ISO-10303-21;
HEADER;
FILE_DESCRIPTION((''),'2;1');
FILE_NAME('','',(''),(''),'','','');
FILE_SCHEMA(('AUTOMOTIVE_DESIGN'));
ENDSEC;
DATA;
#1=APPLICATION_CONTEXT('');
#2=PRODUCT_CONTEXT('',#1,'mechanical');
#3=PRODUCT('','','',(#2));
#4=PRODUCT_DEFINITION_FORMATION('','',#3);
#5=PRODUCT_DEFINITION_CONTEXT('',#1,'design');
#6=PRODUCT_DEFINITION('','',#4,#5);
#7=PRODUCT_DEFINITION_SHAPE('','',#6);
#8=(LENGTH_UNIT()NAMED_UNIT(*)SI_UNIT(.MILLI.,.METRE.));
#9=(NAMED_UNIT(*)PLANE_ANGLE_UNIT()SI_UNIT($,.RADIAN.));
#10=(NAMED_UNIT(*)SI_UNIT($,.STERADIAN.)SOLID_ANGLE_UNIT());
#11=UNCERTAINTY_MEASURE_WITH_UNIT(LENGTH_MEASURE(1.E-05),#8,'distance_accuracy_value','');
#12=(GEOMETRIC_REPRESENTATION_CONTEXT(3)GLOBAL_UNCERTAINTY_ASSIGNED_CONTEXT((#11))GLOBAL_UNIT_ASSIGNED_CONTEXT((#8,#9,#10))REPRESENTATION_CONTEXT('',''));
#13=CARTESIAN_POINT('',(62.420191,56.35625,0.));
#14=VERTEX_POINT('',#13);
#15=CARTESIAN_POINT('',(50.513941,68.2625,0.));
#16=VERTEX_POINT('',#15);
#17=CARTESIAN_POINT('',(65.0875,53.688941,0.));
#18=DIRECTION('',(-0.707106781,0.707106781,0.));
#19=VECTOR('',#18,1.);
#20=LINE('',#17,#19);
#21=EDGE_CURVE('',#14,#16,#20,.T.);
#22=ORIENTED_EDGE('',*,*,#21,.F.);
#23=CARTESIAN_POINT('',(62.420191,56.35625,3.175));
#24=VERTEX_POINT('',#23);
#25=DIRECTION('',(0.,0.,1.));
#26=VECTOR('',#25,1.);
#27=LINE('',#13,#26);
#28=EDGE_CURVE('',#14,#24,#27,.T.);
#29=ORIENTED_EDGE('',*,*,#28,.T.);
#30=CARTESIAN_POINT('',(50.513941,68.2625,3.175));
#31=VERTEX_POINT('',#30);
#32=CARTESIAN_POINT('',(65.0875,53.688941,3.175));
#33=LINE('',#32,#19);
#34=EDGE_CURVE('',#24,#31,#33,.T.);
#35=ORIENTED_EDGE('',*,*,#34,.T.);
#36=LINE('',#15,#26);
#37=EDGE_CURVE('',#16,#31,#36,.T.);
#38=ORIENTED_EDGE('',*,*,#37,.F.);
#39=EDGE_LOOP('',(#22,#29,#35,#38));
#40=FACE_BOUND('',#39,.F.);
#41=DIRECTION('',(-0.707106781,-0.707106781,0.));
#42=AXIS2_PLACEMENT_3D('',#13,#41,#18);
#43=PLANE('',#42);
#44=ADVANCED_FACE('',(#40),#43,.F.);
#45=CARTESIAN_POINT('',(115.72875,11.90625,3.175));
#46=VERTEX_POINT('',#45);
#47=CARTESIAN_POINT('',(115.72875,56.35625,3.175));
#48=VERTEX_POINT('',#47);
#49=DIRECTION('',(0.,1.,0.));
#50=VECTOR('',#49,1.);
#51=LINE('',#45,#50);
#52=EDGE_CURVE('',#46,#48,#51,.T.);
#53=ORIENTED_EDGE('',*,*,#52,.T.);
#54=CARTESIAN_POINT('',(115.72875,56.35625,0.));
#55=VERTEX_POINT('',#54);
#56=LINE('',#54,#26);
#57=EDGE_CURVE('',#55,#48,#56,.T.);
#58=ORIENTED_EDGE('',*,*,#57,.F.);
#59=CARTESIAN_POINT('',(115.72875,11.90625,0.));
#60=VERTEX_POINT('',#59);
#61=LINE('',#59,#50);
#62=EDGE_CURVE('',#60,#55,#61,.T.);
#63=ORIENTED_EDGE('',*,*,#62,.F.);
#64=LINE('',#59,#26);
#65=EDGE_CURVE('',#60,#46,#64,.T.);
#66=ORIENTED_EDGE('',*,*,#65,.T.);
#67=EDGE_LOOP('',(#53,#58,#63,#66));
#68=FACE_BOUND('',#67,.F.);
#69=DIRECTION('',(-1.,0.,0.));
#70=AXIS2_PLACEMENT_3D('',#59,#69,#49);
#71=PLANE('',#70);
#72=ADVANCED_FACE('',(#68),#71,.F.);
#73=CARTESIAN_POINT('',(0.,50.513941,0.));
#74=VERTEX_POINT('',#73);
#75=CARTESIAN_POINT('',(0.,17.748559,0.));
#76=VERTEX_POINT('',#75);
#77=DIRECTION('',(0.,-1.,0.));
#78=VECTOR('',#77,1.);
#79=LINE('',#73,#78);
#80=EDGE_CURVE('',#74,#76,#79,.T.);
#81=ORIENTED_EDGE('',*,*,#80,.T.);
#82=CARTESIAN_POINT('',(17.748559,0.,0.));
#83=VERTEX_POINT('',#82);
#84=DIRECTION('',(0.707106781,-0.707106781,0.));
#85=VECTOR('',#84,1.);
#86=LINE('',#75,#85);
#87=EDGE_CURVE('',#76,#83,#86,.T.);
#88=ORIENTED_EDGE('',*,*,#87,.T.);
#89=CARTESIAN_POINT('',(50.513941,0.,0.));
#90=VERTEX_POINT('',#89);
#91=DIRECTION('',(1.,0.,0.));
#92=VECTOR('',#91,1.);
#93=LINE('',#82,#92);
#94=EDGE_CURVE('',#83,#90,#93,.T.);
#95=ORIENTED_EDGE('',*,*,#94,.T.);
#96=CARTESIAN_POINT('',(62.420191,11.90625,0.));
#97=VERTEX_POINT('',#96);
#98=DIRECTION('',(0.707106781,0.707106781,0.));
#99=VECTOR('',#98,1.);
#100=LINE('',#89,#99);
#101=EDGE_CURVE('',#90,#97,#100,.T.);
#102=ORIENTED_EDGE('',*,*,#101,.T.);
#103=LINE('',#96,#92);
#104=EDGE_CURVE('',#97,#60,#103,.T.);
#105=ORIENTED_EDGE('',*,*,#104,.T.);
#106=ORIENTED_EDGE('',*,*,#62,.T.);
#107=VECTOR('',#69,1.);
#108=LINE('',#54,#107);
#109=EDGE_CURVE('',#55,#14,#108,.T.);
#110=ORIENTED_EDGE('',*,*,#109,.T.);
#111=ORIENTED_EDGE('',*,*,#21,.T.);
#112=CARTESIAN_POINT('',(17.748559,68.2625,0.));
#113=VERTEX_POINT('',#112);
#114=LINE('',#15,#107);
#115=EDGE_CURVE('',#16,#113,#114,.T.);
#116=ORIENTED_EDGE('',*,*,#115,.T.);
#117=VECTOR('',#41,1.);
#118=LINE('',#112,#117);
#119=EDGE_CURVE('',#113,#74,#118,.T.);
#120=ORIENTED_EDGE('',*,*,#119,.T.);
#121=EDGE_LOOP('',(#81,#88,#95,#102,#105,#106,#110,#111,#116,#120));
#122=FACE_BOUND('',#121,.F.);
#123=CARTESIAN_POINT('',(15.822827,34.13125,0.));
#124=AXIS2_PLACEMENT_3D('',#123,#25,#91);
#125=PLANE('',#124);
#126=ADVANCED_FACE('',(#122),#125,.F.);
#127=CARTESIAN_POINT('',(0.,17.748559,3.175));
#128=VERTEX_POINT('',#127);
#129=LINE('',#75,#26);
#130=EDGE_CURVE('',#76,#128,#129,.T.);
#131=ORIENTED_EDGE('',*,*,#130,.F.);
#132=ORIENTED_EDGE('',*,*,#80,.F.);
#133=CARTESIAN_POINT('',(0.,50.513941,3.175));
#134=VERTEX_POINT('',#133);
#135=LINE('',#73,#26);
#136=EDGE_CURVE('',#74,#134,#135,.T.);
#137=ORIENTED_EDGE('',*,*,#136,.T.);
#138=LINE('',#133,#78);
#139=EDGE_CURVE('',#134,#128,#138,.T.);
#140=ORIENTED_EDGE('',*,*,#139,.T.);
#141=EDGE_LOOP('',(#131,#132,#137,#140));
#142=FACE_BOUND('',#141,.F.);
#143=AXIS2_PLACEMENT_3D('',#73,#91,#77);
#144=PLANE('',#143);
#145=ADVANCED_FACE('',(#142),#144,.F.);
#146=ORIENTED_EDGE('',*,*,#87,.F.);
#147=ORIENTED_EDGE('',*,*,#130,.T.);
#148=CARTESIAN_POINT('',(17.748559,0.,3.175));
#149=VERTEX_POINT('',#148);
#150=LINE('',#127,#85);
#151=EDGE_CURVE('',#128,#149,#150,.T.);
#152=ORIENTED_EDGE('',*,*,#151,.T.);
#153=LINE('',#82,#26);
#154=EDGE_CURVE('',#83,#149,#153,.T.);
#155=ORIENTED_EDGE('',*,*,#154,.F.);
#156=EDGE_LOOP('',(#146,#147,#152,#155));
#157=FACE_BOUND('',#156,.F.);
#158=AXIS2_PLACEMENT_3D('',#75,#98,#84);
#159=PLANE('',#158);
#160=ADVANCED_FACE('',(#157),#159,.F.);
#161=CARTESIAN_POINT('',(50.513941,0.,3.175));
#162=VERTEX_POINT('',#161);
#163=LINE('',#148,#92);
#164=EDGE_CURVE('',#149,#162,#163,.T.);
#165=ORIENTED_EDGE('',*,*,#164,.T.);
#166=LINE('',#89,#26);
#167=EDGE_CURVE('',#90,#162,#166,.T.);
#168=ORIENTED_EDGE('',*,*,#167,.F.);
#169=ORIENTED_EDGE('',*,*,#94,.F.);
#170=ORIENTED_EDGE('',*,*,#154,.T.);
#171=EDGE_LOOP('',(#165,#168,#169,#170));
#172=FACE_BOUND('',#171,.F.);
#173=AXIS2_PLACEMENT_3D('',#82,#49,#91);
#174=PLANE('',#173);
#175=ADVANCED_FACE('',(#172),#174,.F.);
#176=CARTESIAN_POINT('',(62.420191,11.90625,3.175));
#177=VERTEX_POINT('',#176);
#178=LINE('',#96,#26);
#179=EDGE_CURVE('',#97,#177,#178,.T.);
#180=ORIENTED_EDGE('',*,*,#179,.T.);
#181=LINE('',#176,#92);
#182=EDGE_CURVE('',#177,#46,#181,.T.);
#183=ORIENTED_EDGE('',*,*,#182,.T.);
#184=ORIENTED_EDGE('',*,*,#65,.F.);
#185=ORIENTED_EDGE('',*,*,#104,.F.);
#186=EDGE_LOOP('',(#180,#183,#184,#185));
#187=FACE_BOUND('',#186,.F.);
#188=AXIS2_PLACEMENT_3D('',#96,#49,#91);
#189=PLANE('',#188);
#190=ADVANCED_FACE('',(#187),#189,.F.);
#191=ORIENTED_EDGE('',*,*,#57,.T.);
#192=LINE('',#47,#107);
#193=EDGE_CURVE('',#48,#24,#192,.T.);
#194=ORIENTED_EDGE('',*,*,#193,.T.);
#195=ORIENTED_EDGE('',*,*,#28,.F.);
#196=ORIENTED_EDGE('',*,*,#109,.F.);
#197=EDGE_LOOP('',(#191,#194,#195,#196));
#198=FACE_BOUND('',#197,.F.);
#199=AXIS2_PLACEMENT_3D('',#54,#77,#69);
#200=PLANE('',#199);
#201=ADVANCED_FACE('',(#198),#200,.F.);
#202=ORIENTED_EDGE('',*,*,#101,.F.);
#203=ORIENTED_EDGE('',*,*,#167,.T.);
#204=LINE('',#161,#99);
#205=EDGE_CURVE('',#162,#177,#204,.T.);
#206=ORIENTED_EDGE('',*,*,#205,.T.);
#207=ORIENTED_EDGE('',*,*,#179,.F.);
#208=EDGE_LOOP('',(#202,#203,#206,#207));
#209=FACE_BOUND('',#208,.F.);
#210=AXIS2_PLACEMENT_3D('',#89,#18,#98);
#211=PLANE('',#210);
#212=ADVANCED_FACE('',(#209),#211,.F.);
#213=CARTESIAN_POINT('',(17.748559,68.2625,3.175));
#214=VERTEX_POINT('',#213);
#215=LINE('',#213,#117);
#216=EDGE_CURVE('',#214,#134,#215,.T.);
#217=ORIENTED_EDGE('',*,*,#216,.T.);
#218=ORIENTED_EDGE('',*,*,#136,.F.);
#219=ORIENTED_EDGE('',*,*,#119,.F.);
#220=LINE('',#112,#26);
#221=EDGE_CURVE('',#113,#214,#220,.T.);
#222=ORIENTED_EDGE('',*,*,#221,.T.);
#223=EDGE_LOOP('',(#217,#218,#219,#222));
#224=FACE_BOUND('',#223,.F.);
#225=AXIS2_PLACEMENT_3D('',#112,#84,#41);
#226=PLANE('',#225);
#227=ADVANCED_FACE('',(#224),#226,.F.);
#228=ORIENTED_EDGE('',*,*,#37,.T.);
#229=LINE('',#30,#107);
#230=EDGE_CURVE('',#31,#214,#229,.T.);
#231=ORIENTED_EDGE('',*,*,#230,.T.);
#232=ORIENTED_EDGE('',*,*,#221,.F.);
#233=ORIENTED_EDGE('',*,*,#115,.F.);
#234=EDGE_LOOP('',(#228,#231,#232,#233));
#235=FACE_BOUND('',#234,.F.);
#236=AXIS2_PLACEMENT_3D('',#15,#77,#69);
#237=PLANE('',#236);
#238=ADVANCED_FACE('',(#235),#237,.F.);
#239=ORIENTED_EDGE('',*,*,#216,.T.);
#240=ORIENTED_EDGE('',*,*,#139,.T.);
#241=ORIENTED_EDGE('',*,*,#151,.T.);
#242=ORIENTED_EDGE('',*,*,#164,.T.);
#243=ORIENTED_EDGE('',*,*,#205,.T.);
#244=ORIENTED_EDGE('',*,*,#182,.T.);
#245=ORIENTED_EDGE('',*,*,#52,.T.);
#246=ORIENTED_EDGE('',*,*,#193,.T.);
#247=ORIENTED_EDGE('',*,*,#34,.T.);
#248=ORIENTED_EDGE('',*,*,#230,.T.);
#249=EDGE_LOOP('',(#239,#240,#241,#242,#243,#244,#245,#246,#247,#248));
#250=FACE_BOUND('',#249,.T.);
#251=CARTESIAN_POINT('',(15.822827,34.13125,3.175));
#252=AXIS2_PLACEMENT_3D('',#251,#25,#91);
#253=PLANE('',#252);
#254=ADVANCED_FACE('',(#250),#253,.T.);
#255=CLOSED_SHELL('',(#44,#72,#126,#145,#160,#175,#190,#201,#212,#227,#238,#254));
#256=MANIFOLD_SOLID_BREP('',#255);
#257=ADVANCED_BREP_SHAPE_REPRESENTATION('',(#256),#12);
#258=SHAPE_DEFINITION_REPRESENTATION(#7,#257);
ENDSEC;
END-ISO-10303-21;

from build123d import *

# Parameters (mm, degrees)
F1_DEPTH = 3.175


with BuildPart() as f1:
    # F0 (on Top) → F1 (new body)
    with BuildSketch(Plane.XY):
        with BuildLine():
            ThreePointArc((12.2418757049, 56.0206242951), (5.5314042217, 45.9776940032), (3.175, 34.13125))
            ThreePointArc((3.175, 34.13125), (5.5314042217, 22.2848059968), (12.2418757049, 12.2418757049))
            Line((12.2418757049, 12.2418757049), (34.13125, 34.13125))
            Line((34.13125, 34.13125), (12.2418757049, 56.0206242951))
        make_face()
        with BuildLine():
            ThreePointArc((12.2418757049, 12.2418757049), (22.2848059968, 5.5314042217), (34.13125, 3.175))
            Line((34.13125, 3.175), (34.13125, 34.13125))
            Line((34.13125, 34.13125), (12.2418757049, 12.2418757049))
        make_face()
        with BuildLine():
            Line((8.8742796595, 8.8742796595), (14.573559319, 3.175))
            Line((14.573559319, 3.175), (34.13125, 3.175))
            ThreePointArc((34.13125, 3.175), (22.2848059968, 5.5314042217), (12.2418757049, 12.2418757049))
            Line((12.2418757049, 12.2418757049), (8.8742796595, 8.8742796595))
        make_face()
        Polygon((14.573559319, 3.175), (17.748559319, 0), (50.513940681, 0), (53.688940681, 3.175), (34.13125, 3.175), align=None)
        with BuildLine():
            Line((3.175, 34.13125), (3.175, 14.573559319))
            Line((3.175, 14.573559319), (8.8742796595, 8.8742796595))
            Line((8.8742796595, 8.8742796595), (12.2418757049, 12.2418757049))
            ThreePointArc((12.2418757049, 12.2418757049), (5.5314042217, 22.2848059968), (3.175, 34.13125))
        make_face()
        Polygon((0, 50.513940681), (0, 17.748559319), (3.175, 14.573559319), (3.175, 34.13125), (3.175, 53.688940681), align=None)
        with BuildLine():
            Line((8.8742796595, 59.3882203405), (3.175, 53.688940681))
            Line((3.175, 53.688940681), (3.175, 34.13125))
            ThreePointArc((3.175, 34.13125), (5.5314042217, 45.9776940032), (12.2418757049, 56.0206242951))
            Line((12.2418757049, 56.0206242951), (8.8742796595, 59.3882203405))
        make_face()
        with BuildLine():
            Line((14.573559319, 65.0875), (8.8742796595, 59.3882203405))
            Line((8.8742796595, 59.3882203405), (12.2418757049, 56.0206242951))
            ThreePointArc((12.2418757049, 56.0206242951), (22.2848059968, 62.7310957783), (34.13125, 65.0875))
            Line((34.13125, 65.0875), (14.573559319, 65.0875))
        make_face()
        Polygon((50.513940681, 68.2625), (17.748559319, 68.2625), (14.573559319, 65.0875), (34.13125, 65.0875), (53.688940681, 65.0875), align=None)
        with BuildLine():
            Line((12.2418757049, 56.0206242951), (34.13125, 34.13125))
            Line((34.13125, 34.13125), (34.13125, 65.0875))
            ThreePointArc((34.13125, 65.0875), (22.2848059968, 62.7310957783), (12.2418757049, 56.0206242951))
        make_face()
        with BuildLine():
            Line((34.13125, 65.0875), (34.13125, 34.13125))
            Line((34.13125, 34.13125), (56.0206242951, 56.0206242951))
            ThreePointArc((56.0206242951, 56.0206242951), (45.9776940032, 62.7310957783), (34.13125, 65.0875))
        make_face()
        with BuildLine():
            ThreePointArc((56.0206242951, 56.0206242951), (62.7310957783, 45.9776940032), (65.0875, 34.13125))
            Line((65.0875, 34.13125), (65.0875, 53.688940681))
            Line((65.0875, 53.688940681), (62.420190681, 56.35625))
            Line((62.420190681, 56.35625), (59.3882203405, 59.3882203405))
            Line((59.3882203405, 59.3882203405), (56.0206242951, 56.0206242951))
        make_face()
        with BuildLine():
            ThreePointArc((34.13125, 65.0875), (45.9776940032, 62.7310957783), (56.0206242951, 56.0206242951))
            Line((56.0206242951, 56.0206242951), (59.3882203405, 59.3882203405))
            Line((59.3882203405, 59.3882203405), (53.688940681, 65.0875))
            Line((53.688940681, 65.0875), (34.13125, 65.0875))
        make_face()
        with BuildLine():
            Line((34.13125, 34.13125), (56.0206242951, 12.2418757049))
            ThreePointArc((56.0206242951, 12.2418757049), (62.7310957783, 22.2848059968), (65.0875, 34.13125))
            ThreePointArc((65.0875, 34.13125), (62.7310957783, 45.9776940032), (56.0206242951, 56.0206242951))
            Line((56.0206242951, 56.0206242951), (34.13125, 34.13125))
        make_face()
        with BuildLine():
            Line((34.13125, 34.13125), (34.13125, 3.175))
            ThreePointArc((34.13125, 3.175), (45.9776940032, 5.5314042217), (56.0206242951, 12.2418757049))
            Line((56.0206242951, 12.2418757049), (34.13125, 34.13125))
        make_face()
        with BuildLine():
            Line((34.13125, 3.175), (53.688940681, 3.175))
            Line((53.688940681, 3.175), (59.3882203405, 8.8742796595))
            Line((59.3882203405, 8.8742796595), (56.0206242951, 12.2418757049))
            ThreePointArc((56.0206242951, 12.2418757049), (45.9776940032, 5.5314042217), (34.13125, 3.175))
        make_face()
        with BuildLine():
            Line((56.0206242951, 12.2418757049), (59.3882203405, 8.8742796595))
            Line((59.3882203405, 8.8742796595), (62.420190681, 11.90625))
            Line((62.420190681, 11.90625), (65.0875, 14.573559319))
            Line((65.0875, 14.573559319), (65.0875, 34.13125))
            ThreePointArc((65.0875, 34.13125), (62.7310957783, 22.2848059968), (56.0206242951, 12.2418757049))
        make_face()
        Polygon((65.0875, 11.90625), (115.72875, 11.90625), (115.72875, 56.35625), (65.0875, 56.35625), (65.0875, 53.688940681), (65.0875, 34.13125), (65.0875, 14.573559319), align=None)
        Polygon((65.0875, 53.688940681), (65.0875, 56.35625), (62.420190681, 56.35625), align=None)
        Polygon((62.420190681, 11.90625), (65.0875, 11.90625), (65.0875, 14.573559319), align=None)
    extrude(amount=F1_DEPTH)


solid = f1.part
